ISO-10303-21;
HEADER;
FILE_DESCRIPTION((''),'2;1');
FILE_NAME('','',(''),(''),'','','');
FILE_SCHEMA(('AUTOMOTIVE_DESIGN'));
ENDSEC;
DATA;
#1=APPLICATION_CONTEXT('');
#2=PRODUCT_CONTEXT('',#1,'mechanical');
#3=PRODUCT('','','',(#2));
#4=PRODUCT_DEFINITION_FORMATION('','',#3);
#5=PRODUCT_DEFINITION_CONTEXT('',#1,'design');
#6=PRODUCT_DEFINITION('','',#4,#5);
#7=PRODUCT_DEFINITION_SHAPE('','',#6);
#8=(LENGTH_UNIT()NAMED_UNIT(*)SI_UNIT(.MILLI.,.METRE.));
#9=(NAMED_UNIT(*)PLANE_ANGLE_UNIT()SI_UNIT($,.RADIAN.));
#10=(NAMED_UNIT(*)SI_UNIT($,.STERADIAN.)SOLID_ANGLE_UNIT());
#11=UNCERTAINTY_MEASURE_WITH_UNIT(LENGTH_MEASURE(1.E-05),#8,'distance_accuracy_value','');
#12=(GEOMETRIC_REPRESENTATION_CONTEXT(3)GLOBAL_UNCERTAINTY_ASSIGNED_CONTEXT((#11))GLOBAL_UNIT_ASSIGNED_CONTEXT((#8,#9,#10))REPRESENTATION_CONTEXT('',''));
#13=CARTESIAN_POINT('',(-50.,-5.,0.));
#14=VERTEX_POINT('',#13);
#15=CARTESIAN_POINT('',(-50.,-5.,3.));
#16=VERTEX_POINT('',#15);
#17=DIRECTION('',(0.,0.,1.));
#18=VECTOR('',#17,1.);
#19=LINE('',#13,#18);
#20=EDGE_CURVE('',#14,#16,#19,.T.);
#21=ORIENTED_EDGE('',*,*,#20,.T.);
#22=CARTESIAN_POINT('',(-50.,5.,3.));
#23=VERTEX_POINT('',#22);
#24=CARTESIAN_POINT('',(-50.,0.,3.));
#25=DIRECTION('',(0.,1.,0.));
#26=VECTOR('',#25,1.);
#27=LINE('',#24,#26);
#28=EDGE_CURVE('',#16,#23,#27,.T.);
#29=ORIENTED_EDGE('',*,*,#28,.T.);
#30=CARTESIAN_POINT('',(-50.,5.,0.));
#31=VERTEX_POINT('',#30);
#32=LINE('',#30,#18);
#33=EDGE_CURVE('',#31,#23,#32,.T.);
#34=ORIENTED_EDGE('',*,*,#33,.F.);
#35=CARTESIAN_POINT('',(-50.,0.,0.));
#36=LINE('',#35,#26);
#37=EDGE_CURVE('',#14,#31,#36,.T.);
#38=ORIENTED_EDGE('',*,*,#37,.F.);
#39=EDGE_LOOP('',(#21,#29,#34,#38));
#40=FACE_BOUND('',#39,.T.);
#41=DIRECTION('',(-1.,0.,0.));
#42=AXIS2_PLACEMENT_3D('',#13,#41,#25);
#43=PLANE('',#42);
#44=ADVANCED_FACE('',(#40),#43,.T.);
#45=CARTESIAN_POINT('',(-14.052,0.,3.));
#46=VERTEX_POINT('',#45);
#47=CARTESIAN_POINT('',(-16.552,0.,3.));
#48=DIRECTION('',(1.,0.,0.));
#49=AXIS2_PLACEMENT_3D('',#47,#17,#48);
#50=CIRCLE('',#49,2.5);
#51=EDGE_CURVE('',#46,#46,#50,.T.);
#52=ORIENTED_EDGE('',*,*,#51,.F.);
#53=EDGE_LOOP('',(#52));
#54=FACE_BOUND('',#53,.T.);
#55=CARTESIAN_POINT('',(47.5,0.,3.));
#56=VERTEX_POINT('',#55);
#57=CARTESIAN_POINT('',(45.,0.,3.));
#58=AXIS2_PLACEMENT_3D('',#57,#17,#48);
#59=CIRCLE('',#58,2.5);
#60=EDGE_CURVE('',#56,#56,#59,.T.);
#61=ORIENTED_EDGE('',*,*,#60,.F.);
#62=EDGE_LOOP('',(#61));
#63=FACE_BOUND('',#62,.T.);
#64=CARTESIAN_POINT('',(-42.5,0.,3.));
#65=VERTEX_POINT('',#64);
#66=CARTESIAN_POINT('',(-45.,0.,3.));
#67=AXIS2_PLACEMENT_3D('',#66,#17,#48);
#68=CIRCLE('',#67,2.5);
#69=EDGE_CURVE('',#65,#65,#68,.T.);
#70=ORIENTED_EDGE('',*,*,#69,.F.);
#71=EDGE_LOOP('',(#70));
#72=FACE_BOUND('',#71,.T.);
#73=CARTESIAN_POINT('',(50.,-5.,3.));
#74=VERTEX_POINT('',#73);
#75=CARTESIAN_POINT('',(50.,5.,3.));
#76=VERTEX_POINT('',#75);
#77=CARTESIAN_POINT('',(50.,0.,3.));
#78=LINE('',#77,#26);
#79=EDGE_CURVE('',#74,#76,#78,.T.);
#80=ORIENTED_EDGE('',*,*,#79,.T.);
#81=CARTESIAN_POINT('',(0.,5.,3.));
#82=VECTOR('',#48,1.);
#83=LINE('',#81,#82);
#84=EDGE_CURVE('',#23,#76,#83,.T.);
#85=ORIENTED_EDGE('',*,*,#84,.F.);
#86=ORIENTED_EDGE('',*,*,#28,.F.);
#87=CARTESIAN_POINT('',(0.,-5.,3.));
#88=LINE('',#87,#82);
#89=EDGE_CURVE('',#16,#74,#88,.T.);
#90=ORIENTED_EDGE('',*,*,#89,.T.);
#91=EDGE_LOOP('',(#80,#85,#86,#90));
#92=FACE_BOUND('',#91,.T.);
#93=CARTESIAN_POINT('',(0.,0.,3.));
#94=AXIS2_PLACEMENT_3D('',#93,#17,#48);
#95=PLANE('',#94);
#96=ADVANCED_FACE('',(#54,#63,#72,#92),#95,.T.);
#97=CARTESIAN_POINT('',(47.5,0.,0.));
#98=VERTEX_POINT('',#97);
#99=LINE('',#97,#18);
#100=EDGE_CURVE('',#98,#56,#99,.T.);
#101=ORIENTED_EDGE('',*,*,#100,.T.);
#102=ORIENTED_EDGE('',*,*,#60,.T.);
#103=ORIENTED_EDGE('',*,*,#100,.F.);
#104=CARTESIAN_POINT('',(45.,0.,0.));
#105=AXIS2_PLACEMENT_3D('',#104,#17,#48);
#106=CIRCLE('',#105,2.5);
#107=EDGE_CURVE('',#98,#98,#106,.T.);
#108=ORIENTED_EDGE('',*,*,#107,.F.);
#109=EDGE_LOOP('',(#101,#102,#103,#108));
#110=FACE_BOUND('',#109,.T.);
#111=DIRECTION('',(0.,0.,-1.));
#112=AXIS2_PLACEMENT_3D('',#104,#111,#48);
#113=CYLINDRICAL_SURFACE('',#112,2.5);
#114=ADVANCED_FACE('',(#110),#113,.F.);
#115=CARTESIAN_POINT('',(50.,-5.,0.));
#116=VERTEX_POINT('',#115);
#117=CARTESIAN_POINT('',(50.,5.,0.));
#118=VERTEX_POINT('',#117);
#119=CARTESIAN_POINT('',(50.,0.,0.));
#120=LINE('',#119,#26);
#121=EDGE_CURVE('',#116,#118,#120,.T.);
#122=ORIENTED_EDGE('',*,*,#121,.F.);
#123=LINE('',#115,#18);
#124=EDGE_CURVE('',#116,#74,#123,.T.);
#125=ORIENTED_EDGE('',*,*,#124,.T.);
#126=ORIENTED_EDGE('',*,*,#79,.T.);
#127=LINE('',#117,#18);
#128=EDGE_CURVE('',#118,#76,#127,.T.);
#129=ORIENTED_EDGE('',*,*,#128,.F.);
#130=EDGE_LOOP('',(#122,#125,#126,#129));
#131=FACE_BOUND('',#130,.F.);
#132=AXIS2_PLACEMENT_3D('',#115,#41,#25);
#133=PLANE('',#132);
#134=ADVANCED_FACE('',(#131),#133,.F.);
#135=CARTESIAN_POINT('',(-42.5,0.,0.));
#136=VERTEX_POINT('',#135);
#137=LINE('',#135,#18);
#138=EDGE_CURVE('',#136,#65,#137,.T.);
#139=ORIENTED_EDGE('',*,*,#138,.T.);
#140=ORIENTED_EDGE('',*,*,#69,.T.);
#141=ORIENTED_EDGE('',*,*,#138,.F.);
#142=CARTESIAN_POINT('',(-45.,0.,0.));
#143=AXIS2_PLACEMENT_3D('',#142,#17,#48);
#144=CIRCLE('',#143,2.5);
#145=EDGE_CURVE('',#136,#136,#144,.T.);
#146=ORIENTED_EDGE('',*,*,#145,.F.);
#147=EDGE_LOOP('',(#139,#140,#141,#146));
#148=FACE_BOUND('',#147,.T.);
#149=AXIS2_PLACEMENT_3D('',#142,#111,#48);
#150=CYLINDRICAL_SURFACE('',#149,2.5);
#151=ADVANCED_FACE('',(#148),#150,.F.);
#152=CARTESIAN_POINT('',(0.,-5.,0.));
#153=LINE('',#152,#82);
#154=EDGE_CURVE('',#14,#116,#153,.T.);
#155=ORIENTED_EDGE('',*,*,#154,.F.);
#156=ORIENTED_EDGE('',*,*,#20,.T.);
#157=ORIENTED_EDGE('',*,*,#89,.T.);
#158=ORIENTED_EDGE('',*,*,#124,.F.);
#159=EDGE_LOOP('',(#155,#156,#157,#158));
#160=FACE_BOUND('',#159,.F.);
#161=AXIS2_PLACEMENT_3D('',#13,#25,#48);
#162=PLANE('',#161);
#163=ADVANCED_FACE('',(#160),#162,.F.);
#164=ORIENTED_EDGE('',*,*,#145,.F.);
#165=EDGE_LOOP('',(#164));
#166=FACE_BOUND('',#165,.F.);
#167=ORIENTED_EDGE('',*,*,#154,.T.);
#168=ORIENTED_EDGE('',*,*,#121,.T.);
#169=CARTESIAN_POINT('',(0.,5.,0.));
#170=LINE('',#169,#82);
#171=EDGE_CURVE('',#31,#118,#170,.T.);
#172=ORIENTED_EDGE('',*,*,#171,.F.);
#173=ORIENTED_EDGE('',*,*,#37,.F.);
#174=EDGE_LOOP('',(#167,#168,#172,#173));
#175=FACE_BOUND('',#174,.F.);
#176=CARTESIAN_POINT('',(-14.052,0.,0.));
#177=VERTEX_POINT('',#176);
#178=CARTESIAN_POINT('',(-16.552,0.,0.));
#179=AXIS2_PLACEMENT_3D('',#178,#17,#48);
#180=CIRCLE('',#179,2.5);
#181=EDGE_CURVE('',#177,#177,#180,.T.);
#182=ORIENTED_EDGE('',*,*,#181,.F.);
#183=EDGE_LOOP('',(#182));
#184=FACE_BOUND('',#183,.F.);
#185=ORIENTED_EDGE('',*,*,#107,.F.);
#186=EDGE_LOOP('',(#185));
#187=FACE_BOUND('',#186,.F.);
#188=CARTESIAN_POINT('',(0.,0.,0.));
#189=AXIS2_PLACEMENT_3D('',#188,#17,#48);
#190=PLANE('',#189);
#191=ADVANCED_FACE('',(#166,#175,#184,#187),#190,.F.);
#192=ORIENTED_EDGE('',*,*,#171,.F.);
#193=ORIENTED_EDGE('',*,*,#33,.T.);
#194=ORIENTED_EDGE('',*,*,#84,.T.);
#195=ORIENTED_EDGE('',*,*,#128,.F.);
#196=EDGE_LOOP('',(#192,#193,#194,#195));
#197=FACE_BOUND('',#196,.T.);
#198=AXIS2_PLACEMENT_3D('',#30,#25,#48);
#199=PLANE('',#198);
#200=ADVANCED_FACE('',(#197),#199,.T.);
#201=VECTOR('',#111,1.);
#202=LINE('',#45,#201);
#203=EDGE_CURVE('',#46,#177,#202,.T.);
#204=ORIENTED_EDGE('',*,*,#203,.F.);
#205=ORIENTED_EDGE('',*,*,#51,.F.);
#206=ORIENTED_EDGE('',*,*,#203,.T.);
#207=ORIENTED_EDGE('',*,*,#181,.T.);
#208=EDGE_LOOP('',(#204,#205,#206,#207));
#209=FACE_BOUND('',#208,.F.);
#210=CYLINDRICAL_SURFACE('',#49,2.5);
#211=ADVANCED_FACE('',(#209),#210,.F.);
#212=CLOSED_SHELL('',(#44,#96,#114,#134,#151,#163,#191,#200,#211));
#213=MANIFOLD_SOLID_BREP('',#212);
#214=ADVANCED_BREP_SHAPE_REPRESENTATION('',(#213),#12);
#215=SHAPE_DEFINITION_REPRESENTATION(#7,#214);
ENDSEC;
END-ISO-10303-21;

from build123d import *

# Parameters (mm, degrees)
F0_W     = 100
F0_H     = 10
F0_R     = 2.5
F1_DEPTH = 3
F2_R     = 2.5
F3_DEPTH = 3


with BuildPart() as f1:
    # F0 (on Top) → F1 (new body)
    with BuildSketch(Plane.XY):
        Rectangle(F0_W, F0_H)
        with Locations((-45, 0)):
            Circle(F0_R, mode=Mode.SUBTRACT)
        with Locations((45, 0)):
            Circle(F0_R, mode=Mode.SUBTRACT)
    extrude(amount=F1_DEPTH)

    # F2 (on face) → F3 (cut)
    with BuildSketch(Plane.XY.offset(3)):
        with Locations((-16.552, 0)):
            Circle(F2_R)
    extrude(amount=-F3_DEPTH, mode=Mode.SUBTRACT)


solid = f1.part
